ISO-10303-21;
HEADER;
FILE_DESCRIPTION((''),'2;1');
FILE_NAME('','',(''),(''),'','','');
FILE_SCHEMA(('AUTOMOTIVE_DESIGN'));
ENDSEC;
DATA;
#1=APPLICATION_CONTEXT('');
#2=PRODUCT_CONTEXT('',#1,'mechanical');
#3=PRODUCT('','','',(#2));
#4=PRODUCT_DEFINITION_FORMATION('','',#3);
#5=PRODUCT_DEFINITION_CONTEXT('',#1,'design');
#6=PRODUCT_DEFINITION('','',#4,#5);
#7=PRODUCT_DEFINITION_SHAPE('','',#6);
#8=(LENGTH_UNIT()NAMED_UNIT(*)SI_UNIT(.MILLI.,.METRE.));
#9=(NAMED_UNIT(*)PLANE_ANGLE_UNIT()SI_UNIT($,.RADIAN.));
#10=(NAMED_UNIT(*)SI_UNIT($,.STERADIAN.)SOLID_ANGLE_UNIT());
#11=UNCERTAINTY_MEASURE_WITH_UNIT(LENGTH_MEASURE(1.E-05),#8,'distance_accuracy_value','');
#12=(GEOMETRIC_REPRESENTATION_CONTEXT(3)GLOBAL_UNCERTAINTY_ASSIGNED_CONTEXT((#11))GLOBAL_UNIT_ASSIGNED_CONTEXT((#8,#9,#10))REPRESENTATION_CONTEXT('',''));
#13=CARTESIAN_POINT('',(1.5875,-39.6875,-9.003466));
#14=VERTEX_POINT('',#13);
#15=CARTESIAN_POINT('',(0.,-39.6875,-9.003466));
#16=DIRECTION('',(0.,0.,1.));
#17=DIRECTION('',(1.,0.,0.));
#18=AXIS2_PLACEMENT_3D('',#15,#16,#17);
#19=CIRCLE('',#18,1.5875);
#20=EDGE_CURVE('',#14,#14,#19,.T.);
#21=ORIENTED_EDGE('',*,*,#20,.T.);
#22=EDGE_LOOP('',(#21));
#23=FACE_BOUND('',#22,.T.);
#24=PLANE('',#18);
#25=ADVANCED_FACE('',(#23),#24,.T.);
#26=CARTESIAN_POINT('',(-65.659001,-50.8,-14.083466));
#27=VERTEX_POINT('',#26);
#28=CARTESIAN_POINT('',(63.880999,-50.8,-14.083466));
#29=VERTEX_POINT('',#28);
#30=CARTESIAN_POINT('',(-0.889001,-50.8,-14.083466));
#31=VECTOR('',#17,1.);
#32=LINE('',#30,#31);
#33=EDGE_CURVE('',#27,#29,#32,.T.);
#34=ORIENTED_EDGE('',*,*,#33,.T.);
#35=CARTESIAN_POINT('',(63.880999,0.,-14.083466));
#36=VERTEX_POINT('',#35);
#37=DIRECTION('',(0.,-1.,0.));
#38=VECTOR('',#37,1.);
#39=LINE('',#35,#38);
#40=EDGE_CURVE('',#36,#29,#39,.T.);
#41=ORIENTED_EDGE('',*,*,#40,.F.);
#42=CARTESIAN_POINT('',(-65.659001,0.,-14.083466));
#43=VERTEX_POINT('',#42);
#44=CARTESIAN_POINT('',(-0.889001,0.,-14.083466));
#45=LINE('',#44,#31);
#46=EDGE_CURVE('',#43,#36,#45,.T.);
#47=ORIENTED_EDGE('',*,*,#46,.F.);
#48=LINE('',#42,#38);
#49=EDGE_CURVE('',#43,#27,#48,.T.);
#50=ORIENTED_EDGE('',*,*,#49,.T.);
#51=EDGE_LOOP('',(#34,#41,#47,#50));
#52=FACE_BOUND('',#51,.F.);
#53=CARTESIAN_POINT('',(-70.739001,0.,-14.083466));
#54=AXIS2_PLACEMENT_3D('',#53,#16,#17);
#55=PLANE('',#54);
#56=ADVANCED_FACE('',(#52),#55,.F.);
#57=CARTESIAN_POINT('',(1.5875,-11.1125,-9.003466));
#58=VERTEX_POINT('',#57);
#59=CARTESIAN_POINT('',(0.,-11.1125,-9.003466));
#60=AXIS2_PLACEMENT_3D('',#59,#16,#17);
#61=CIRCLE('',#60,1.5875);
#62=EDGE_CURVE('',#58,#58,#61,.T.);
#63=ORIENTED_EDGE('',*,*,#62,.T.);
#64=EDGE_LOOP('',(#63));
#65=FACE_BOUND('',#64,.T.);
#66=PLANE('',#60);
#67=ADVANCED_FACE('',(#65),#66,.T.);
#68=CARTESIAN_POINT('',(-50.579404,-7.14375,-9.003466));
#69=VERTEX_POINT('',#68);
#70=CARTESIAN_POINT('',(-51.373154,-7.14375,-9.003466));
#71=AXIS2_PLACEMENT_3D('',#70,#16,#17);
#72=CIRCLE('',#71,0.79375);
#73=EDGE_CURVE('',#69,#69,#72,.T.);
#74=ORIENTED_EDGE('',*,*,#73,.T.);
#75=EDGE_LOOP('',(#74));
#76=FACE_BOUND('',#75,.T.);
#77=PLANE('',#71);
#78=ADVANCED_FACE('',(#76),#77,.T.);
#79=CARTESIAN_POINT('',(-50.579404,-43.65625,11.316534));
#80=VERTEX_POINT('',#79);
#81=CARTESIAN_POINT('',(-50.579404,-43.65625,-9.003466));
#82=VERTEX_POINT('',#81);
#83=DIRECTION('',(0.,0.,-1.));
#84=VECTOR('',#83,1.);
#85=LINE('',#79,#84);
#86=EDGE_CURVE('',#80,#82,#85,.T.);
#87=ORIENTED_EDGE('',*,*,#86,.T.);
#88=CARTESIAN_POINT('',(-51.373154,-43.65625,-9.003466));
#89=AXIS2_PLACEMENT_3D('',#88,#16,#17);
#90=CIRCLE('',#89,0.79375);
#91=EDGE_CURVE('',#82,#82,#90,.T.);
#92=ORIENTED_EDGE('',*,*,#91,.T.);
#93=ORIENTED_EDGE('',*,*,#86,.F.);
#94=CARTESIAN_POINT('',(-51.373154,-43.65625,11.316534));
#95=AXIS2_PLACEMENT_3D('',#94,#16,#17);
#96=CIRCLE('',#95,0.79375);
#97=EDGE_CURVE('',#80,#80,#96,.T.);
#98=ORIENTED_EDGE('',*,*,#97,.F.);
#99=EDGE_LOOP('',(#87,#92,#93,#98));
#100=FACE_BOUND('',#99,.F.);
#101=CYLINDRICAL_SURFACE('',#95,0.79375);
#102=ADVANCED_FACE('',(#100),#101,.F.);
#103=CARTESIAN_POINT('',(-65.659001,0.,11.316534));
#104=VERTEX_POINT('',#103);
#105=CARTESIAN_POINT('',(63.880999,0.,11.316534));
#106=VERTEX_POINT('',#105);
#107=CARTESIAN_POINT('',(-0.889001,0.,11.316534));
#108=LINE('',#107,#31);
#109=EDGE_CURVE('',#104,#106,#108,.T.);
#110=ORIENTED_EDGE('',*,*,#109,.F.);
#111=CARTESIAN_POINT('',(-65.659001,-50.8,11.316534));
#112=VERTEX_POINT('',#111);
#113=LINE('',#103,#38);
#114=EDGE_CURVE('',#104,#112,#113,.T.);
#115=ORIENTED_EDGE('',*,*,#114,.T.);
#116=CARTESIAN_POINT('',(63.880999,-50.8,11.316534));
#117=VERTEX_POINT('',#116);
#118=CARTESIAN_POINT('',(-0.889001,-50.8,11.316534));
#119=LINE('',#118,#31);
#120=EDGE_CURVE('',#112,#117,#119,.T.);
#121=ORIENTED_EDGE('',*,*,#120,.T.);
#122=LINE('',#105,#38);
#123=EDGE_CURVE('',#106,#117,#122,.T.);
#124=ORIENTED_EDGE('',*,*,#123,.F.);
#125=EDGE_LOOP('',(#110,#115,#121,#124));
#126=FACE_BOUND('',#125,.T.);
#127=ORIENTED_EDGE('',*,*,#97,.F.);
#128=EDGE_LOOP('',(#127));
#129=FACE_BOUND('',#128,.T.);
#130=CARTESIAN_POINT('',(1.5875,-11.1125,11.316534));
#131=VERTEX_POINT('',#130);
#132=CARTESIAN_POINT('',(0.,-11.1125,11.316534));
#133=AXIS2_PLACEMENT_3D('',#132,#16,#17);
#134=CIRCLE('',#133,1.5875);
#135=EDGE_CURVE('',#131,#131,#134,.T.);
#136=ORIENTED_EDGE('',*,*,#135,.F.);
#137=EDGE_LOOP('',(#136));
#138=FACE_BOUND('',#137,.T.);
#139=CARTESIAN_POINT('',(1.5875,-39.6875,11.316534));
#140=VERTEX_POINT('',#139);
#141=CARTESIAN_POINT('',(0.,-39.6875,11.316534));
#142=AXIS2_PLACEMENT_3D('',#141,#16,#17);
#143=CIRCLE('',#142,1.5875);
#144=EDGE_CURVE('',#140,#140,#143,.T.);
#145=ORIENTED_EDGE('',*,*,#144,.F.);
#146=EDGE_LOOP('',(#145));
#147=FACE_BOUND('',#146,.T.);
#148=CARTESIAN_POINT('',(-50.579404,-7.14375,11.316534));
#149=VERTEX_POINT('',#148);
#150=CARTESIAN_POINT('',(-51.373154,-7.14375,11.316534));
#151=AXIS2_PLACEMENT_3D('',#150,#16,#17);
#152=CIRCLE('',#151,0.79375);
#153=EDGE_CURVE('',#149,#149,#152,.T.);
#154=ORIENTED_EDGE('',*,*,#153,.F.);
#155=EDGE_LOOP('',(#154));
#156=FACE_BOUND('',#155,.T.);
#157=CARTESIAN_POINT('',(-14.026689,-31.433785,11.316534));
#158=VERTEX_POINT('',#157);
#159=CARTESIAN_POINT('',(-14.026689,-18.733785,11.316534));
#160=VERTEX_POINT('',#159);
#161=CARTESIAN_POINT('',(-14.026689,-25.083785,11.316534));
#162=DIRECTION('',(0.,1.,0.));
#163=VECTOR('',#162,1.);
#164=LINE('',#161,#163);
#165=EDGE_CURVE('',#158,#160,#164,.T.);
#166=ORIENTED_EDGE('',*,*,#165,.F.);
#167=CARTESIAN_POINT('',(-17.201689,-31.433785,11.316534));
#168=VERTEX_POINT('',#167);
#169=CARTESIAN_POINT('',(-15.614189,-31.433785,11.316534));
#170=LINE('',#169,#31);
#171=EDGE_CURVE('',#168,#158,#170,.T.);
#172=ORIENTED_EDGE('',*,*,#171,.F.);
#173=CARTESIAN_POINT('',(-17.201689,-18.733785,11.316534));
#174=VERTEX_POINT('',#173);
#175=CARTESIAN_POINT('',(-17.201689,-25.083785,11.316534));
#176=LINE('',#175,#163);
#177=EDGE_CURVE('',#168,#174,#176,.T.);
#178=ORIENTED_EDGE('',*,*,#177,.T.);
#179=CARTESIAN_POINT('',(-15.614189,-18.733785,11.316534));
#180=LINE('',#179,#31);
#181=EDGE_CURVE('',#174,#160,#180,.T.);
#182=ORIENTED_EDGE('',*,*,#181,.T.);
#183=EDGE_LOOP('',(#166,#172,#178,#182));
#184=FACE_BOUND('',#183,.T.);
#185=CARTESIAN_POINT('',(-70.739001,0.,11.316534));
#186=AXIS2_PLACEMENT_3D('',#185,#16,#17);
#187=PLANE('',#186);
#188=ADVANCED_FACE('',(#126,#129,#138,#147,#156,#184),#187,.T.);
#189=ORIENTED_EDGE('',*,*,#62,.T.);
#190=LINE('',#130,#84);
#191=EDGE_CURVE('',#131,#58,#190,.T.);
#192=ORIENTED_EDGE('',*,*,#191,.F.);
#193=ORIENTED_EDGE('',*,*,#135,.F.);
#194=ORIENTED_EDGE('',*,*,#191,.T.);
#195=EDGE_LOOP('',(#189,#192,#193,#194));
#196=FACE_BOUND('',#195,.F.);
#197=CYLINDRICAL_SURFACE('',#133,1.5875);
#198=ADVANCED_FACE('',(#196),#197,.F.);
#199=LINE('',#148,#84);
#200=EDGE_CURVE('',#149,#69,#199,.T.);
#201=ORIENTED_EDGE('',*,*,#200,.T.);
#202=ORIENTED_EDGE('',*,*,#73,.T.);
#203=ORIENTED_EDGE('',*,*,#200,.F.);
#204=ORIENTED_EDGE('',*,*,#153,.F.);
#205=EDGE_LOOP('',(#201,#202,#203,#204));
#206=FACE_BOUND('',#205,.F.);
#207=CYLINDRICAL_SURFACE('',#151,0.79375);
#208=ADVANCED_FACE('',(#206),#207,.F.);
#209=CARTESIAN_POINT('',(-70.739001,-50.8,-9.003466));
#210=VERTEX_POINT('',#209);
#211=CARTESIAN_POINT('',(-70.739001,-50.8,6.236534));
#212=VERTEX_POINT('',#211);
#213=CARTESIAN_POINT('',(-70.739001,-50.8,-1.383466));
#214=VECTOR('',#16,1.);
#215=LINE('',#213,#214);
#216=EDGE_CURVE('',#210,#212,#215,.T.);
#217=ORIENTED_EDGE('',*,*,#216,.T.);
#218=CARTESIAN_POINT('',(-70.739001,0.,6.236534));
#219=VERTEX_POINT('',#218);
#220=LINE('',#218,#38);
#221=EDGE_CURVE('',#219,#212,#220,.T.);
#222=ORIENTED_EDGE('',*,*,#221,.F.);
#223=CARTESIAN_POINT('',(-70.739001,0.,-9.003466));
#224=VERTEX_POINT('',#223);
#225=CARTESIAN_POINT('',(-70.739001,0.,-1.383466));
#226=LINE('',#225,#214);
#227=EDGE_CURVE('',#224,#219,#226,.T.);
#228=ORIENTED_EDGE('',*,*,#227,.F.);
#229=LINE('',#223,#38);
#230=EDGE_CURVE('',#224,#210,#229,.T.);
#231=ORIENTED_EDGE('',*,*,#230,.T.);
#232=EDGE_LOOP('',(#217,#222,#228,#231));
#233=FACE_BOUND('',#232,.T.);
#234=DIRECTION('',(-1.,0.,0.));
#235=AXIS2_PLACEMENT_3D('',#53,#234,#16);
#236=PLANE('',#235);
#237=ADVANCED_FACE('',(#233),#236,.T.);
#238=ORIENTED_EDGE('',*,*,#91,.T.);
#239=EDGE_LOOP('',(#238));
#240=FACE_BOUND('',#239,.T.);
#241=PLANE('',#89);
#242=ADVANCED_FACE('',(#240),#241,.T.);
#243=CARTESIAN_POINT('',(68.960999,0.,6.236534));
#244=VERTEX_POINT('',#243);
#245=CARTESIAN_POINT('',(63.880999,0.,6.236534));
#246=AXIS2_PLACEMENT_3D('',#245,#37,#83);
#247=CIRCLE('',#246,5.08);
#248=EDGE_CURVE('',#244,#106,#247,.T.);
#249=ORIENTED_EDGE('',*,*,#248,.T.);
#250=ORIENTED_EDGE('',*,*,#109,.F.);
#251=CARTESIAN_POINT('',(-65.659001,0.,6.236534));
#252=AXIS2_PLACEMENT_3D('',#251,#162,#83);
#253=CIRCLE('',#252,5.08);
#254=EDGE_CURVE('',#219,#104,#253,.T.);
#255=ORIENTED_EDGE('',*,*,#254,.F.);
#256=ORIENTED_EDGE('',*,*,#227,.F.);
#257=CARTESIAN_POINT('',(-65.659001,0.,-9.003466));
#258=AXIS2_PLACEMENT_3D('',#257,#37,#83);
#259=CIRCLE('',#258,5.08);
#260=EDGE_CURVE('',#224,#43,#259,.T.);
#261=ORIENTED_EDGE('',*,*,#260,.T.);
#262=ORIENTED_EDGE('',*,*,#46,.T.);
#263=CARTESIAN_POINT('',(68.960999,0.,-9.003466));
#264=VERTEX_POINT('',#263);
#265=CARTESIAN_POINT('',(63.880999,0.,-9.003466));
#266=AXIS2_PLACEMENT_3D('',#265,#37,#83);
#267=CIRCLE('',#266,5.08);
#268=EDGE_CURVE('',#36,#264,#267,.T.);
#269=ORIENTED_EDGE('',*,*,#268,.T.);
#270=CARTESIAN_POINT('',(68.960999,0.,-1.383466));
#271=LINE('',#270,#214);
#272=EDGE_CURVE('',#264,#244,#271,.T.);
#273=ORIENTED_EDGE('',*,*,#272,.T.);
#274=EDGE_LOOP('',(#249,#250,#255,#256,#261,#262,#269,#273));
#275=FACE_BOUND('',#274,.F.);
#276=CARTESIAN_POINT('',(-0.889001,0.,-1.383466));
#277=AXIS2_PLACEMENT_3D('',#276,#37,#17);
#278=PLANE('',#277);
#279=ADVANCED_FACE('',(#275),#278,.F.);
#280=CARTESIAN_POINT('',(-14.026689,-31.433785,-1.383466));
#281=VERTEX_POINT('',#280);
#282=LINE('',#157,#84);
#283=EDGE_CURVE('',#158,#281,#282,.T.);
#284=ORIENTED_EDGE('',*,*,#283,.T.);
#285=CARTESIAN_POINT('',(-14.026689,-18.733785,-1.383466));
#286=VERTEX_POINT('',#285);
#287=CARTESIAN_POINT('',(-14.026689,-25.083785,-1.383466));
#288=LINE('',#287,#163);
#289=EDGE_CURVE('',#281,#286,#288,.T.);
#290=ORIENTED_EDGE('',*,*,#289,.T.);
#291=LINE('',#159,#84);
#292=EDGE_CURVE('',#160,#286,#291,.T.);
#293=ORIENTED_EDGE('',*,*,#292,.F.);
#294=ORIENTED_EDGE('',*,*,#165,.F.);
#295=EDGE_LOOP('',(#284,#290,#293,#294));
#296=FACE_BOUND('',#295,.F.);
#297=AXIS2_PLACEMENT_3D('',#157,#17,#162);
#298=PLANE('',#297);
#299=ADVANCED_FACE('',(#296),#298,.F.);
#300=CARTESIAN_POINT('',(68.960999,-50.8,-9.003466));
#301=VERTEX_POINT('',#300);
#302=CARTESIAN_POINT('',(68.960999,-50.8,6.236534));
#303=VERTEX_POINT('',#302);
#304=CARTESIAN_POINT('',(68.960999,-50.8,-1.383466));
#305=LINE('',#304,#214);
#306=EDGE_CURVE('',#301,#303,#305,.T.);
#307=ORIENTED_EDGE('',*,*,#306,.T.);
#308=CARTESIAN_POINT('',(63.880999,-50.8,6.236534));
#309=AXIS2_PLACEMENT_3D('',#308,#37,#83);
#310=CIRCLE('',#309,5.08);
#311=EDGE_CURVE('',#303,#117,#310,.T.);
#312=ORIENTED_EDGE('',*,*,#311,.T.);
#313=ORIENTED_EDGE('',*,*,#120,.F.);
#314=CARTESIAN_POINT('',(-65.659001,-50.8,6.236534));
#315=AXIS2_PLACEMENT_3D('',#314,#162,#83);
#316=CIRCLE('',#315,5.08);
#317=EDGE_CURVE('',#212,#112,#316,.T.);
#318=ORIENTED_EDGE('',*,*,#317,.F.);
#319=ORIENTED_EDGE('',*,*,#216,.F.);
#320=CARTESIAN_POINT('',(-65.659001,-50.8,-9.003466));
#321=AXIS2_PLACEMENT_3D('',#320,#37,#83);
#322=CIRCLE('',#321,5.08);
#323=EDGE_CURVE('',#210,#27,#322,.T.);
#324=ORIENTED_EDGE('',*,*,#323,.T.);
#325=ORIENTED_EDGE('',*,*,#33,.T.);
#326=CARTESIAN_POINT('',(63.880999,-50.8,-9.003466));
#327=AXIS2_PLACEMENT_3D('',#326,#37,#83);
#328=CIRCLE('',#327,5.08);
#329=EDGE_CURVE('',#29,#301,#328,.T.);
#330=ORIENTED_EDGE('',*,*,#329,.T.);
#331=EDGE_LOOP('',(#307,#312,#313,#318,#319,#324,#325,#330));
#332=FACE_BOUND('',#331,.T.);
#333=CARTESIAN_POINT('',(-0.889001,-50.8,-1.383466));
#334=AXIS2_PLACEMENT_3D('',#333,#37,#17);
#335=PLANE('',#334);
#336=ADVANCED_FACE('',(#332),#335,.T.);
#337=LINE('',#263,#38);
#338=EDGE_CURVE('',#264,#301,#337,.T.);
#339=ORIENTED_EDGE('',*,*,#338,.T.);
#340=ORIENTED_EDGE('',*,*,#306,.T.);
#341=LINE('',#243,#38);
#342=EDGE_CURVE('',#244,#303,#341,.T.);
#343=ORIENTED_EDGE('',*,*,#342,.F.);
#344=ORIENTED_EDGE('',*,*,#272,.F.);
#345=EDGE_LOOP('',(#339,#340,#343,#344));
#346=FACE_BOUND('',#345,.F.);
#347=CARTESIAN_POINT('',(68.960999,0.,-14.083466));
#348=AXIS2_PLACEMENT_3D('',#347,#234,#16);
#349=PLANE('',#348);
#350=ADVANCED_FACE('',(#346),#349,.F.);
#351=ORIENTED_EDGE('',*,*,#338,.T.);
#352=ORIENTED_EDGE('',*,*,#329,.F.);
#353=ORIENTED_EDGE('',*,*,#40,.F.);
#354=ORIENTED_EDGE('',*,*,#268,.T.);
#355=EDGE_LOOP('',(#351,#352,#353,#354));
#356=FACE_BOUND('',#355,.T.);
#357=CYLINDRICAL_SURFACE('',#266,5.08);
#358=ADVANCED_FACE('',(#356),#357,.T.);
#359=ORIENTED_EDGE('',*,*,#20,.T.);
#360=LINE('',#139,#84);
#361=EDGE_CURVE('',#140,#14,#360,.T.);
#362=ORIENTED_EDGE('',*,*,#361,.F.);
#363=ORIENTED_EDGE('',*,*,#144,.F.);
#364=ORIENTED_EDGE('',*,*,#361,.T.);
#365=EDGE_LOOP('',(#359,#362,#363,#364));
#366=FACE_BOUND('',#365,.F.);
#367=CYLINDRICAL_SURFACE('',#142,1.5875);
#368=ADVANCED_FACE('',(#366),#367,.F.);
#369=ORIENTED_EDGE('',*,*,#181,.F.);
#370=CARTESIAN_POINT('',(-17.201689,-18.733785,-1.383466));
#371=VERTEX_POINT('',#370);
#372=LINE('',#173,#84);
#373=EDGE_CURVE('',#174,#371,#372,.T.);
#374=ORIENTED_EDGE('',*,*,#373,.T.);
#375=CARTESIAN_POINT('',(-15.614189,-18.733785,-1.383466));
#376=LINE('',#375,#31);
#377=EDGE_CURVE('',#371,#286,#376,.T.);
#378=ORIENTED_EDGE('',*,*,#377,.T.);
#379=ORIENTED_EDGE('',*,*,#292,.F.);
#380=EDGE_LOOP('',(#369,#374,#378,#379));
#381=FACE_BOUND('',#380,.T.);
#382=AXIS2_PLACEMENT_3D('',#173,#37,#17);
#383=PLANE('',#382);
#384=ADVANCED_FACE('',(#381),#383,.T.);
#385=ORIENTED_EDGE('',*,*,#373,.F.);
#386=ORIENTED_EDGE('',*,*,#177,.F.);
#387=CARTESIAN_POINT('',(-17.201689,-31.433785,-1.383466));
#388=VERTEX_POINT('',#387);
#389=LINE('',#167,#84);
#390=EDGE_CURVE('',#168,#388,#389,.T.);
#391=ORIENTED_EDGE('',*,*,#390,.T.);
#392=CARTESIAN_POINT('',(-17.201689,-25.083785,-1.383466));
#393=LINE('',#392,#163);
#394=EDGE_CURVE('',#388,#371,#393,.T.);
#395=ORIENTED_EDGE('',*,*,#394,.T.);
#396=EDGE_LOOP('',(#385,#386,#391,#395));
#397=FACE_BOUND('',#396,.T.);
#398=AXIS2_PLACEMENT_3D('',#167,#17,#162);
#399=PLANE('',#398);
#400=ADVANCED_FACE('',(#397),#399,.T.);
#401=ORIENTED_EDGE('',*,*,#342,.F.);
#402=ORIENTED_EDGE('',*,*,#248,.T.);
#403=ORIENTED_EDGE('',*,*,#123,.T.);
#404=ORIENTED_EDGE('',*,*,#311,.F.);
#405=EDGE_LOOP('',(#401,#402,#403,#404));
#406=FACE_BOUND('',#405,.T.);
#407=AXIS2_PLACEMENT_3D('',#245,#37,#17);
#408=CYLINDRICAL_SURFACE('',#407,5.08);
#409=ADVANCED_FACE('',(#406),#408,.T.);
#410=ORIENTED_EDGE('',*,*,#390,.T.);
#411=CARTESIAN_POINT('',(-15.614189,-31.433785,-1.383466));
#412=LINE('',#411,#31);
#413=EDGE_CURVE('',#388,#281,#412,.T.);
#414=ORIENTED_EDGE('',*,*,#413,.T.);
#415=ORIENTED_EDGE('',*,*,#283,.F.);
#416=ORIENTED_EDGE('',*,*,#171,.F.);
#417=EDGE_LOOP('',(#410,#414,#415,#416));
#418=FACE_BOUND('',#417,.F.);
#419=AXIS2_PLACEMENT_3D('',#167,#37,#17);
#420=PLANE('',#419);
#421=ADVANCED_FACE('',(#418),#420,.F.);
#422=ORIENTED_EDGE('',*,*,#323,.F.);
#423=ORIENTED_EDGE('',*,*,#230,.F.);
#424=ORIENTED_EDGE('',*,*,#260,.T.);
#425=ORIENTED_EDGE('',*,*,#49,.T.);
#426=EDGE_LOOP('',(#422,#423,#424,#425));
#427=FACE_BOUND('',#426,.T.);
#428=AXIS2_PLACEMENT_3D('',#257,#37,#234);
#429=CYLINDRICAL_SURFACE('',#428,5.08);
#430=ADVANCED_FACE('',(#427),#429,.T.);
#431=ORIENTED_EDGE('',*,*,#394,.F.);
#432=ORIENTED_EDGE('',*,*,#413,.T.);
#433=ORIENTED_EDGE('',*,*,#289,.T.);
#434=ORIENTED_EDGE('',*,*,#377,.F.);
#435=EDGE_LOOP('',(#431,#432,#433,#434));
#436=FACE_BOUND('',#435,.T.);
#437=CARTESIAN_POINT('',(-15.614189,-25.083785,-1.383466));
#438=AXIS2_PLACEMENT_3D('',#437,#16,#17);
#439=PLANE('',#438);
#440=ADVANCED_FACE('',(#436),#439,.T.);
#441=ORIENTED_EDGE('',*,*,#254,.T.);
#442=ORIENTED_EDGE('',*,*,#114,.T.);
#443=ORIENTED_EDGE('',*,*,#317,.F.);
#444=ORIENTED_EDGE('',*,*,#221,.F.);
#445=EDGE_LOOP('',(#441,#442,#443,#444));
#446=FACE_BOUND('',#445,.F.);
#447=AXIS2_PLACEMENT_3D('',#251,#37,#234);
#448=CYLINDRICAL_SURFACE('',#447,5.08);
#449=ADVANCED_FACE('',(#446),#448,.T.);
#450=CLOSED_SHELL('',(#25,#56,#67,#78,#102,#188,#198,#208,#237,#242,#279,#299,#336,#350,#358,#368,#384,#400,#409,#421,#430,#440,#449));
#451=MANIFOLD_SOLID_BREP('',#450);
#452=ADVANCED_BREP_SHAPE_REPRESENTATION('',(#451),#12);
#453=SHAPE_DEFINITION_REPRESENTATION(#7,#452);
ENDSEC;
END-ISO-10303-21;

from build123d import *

# Parameters (mm, degrees)
F0_W     = 139.7
F0_H     = 25.4
F1_DEPTH = 50.8
F2_R     = 5.08
F3_R     = 0.79375
F4_DEPTH = 20.32
F5_W     = 3.175
F5_H     = 12.7
F6_DEPTH = 12.7
F7_R     = 1.5875
F8_DEPTH = 20.32


with BuildPart() as f1:
    # F0 (on Front) → F1 (new body)
    with BuildSketch(Plane.XZ):
        with Locations((-0.889001, -1.383466)):
            Rectangle(F0_W, F0_H)
    extrude(amount=F1_DEPTH)

    # F2
    f2_edges = [f1.edges().sort_by_distance(p)[0] for p in [
        (-70.739001, -25.4, 11.316534),
        (-70.739001, -25.4, -14.083466),
        (68.960999, -25.4, 11.316534),
        (68.960999, -25.4, -14.083466),
    ]]
    fillet(f2_edges, radius=F2_R)

    # F3 (on face) → F4 (cut)
    with BuildSketch(Plane.XY.offset(11.316534)):
        with Locations((-51.373154, -7.14375)):
            Circle(F3_R)
        with Locations((-51.373154, -43.65625)):
            Circle(F3_R)
    extrude(amount=-F4_DEPTH, mode=Mode.SUBTRACT)

    # F5 (on face) → F6 (cut)
    with BuildSketch(Plane.XY.offset(11.316534)):
        with Locations((-15.614189, -25.083785)):
            Rectangle(F5_W, F5_H)
    extrude(amount=-F6_DEPTH, mode=Mode.SUBTRACT)

    # F7 (on face) → F8 (cut)
    with BuildSketch(Plane.XY.offset(11.316534)):
        with Locations((0, -11.1125)):
            Circle(F7_R)
        with Locations((0, -39.6875)):
            Circle(F7_R)
    extrude(amount=-F8_DEPTH, mode=Mode.SUBTRACT)


solid = f1.part
